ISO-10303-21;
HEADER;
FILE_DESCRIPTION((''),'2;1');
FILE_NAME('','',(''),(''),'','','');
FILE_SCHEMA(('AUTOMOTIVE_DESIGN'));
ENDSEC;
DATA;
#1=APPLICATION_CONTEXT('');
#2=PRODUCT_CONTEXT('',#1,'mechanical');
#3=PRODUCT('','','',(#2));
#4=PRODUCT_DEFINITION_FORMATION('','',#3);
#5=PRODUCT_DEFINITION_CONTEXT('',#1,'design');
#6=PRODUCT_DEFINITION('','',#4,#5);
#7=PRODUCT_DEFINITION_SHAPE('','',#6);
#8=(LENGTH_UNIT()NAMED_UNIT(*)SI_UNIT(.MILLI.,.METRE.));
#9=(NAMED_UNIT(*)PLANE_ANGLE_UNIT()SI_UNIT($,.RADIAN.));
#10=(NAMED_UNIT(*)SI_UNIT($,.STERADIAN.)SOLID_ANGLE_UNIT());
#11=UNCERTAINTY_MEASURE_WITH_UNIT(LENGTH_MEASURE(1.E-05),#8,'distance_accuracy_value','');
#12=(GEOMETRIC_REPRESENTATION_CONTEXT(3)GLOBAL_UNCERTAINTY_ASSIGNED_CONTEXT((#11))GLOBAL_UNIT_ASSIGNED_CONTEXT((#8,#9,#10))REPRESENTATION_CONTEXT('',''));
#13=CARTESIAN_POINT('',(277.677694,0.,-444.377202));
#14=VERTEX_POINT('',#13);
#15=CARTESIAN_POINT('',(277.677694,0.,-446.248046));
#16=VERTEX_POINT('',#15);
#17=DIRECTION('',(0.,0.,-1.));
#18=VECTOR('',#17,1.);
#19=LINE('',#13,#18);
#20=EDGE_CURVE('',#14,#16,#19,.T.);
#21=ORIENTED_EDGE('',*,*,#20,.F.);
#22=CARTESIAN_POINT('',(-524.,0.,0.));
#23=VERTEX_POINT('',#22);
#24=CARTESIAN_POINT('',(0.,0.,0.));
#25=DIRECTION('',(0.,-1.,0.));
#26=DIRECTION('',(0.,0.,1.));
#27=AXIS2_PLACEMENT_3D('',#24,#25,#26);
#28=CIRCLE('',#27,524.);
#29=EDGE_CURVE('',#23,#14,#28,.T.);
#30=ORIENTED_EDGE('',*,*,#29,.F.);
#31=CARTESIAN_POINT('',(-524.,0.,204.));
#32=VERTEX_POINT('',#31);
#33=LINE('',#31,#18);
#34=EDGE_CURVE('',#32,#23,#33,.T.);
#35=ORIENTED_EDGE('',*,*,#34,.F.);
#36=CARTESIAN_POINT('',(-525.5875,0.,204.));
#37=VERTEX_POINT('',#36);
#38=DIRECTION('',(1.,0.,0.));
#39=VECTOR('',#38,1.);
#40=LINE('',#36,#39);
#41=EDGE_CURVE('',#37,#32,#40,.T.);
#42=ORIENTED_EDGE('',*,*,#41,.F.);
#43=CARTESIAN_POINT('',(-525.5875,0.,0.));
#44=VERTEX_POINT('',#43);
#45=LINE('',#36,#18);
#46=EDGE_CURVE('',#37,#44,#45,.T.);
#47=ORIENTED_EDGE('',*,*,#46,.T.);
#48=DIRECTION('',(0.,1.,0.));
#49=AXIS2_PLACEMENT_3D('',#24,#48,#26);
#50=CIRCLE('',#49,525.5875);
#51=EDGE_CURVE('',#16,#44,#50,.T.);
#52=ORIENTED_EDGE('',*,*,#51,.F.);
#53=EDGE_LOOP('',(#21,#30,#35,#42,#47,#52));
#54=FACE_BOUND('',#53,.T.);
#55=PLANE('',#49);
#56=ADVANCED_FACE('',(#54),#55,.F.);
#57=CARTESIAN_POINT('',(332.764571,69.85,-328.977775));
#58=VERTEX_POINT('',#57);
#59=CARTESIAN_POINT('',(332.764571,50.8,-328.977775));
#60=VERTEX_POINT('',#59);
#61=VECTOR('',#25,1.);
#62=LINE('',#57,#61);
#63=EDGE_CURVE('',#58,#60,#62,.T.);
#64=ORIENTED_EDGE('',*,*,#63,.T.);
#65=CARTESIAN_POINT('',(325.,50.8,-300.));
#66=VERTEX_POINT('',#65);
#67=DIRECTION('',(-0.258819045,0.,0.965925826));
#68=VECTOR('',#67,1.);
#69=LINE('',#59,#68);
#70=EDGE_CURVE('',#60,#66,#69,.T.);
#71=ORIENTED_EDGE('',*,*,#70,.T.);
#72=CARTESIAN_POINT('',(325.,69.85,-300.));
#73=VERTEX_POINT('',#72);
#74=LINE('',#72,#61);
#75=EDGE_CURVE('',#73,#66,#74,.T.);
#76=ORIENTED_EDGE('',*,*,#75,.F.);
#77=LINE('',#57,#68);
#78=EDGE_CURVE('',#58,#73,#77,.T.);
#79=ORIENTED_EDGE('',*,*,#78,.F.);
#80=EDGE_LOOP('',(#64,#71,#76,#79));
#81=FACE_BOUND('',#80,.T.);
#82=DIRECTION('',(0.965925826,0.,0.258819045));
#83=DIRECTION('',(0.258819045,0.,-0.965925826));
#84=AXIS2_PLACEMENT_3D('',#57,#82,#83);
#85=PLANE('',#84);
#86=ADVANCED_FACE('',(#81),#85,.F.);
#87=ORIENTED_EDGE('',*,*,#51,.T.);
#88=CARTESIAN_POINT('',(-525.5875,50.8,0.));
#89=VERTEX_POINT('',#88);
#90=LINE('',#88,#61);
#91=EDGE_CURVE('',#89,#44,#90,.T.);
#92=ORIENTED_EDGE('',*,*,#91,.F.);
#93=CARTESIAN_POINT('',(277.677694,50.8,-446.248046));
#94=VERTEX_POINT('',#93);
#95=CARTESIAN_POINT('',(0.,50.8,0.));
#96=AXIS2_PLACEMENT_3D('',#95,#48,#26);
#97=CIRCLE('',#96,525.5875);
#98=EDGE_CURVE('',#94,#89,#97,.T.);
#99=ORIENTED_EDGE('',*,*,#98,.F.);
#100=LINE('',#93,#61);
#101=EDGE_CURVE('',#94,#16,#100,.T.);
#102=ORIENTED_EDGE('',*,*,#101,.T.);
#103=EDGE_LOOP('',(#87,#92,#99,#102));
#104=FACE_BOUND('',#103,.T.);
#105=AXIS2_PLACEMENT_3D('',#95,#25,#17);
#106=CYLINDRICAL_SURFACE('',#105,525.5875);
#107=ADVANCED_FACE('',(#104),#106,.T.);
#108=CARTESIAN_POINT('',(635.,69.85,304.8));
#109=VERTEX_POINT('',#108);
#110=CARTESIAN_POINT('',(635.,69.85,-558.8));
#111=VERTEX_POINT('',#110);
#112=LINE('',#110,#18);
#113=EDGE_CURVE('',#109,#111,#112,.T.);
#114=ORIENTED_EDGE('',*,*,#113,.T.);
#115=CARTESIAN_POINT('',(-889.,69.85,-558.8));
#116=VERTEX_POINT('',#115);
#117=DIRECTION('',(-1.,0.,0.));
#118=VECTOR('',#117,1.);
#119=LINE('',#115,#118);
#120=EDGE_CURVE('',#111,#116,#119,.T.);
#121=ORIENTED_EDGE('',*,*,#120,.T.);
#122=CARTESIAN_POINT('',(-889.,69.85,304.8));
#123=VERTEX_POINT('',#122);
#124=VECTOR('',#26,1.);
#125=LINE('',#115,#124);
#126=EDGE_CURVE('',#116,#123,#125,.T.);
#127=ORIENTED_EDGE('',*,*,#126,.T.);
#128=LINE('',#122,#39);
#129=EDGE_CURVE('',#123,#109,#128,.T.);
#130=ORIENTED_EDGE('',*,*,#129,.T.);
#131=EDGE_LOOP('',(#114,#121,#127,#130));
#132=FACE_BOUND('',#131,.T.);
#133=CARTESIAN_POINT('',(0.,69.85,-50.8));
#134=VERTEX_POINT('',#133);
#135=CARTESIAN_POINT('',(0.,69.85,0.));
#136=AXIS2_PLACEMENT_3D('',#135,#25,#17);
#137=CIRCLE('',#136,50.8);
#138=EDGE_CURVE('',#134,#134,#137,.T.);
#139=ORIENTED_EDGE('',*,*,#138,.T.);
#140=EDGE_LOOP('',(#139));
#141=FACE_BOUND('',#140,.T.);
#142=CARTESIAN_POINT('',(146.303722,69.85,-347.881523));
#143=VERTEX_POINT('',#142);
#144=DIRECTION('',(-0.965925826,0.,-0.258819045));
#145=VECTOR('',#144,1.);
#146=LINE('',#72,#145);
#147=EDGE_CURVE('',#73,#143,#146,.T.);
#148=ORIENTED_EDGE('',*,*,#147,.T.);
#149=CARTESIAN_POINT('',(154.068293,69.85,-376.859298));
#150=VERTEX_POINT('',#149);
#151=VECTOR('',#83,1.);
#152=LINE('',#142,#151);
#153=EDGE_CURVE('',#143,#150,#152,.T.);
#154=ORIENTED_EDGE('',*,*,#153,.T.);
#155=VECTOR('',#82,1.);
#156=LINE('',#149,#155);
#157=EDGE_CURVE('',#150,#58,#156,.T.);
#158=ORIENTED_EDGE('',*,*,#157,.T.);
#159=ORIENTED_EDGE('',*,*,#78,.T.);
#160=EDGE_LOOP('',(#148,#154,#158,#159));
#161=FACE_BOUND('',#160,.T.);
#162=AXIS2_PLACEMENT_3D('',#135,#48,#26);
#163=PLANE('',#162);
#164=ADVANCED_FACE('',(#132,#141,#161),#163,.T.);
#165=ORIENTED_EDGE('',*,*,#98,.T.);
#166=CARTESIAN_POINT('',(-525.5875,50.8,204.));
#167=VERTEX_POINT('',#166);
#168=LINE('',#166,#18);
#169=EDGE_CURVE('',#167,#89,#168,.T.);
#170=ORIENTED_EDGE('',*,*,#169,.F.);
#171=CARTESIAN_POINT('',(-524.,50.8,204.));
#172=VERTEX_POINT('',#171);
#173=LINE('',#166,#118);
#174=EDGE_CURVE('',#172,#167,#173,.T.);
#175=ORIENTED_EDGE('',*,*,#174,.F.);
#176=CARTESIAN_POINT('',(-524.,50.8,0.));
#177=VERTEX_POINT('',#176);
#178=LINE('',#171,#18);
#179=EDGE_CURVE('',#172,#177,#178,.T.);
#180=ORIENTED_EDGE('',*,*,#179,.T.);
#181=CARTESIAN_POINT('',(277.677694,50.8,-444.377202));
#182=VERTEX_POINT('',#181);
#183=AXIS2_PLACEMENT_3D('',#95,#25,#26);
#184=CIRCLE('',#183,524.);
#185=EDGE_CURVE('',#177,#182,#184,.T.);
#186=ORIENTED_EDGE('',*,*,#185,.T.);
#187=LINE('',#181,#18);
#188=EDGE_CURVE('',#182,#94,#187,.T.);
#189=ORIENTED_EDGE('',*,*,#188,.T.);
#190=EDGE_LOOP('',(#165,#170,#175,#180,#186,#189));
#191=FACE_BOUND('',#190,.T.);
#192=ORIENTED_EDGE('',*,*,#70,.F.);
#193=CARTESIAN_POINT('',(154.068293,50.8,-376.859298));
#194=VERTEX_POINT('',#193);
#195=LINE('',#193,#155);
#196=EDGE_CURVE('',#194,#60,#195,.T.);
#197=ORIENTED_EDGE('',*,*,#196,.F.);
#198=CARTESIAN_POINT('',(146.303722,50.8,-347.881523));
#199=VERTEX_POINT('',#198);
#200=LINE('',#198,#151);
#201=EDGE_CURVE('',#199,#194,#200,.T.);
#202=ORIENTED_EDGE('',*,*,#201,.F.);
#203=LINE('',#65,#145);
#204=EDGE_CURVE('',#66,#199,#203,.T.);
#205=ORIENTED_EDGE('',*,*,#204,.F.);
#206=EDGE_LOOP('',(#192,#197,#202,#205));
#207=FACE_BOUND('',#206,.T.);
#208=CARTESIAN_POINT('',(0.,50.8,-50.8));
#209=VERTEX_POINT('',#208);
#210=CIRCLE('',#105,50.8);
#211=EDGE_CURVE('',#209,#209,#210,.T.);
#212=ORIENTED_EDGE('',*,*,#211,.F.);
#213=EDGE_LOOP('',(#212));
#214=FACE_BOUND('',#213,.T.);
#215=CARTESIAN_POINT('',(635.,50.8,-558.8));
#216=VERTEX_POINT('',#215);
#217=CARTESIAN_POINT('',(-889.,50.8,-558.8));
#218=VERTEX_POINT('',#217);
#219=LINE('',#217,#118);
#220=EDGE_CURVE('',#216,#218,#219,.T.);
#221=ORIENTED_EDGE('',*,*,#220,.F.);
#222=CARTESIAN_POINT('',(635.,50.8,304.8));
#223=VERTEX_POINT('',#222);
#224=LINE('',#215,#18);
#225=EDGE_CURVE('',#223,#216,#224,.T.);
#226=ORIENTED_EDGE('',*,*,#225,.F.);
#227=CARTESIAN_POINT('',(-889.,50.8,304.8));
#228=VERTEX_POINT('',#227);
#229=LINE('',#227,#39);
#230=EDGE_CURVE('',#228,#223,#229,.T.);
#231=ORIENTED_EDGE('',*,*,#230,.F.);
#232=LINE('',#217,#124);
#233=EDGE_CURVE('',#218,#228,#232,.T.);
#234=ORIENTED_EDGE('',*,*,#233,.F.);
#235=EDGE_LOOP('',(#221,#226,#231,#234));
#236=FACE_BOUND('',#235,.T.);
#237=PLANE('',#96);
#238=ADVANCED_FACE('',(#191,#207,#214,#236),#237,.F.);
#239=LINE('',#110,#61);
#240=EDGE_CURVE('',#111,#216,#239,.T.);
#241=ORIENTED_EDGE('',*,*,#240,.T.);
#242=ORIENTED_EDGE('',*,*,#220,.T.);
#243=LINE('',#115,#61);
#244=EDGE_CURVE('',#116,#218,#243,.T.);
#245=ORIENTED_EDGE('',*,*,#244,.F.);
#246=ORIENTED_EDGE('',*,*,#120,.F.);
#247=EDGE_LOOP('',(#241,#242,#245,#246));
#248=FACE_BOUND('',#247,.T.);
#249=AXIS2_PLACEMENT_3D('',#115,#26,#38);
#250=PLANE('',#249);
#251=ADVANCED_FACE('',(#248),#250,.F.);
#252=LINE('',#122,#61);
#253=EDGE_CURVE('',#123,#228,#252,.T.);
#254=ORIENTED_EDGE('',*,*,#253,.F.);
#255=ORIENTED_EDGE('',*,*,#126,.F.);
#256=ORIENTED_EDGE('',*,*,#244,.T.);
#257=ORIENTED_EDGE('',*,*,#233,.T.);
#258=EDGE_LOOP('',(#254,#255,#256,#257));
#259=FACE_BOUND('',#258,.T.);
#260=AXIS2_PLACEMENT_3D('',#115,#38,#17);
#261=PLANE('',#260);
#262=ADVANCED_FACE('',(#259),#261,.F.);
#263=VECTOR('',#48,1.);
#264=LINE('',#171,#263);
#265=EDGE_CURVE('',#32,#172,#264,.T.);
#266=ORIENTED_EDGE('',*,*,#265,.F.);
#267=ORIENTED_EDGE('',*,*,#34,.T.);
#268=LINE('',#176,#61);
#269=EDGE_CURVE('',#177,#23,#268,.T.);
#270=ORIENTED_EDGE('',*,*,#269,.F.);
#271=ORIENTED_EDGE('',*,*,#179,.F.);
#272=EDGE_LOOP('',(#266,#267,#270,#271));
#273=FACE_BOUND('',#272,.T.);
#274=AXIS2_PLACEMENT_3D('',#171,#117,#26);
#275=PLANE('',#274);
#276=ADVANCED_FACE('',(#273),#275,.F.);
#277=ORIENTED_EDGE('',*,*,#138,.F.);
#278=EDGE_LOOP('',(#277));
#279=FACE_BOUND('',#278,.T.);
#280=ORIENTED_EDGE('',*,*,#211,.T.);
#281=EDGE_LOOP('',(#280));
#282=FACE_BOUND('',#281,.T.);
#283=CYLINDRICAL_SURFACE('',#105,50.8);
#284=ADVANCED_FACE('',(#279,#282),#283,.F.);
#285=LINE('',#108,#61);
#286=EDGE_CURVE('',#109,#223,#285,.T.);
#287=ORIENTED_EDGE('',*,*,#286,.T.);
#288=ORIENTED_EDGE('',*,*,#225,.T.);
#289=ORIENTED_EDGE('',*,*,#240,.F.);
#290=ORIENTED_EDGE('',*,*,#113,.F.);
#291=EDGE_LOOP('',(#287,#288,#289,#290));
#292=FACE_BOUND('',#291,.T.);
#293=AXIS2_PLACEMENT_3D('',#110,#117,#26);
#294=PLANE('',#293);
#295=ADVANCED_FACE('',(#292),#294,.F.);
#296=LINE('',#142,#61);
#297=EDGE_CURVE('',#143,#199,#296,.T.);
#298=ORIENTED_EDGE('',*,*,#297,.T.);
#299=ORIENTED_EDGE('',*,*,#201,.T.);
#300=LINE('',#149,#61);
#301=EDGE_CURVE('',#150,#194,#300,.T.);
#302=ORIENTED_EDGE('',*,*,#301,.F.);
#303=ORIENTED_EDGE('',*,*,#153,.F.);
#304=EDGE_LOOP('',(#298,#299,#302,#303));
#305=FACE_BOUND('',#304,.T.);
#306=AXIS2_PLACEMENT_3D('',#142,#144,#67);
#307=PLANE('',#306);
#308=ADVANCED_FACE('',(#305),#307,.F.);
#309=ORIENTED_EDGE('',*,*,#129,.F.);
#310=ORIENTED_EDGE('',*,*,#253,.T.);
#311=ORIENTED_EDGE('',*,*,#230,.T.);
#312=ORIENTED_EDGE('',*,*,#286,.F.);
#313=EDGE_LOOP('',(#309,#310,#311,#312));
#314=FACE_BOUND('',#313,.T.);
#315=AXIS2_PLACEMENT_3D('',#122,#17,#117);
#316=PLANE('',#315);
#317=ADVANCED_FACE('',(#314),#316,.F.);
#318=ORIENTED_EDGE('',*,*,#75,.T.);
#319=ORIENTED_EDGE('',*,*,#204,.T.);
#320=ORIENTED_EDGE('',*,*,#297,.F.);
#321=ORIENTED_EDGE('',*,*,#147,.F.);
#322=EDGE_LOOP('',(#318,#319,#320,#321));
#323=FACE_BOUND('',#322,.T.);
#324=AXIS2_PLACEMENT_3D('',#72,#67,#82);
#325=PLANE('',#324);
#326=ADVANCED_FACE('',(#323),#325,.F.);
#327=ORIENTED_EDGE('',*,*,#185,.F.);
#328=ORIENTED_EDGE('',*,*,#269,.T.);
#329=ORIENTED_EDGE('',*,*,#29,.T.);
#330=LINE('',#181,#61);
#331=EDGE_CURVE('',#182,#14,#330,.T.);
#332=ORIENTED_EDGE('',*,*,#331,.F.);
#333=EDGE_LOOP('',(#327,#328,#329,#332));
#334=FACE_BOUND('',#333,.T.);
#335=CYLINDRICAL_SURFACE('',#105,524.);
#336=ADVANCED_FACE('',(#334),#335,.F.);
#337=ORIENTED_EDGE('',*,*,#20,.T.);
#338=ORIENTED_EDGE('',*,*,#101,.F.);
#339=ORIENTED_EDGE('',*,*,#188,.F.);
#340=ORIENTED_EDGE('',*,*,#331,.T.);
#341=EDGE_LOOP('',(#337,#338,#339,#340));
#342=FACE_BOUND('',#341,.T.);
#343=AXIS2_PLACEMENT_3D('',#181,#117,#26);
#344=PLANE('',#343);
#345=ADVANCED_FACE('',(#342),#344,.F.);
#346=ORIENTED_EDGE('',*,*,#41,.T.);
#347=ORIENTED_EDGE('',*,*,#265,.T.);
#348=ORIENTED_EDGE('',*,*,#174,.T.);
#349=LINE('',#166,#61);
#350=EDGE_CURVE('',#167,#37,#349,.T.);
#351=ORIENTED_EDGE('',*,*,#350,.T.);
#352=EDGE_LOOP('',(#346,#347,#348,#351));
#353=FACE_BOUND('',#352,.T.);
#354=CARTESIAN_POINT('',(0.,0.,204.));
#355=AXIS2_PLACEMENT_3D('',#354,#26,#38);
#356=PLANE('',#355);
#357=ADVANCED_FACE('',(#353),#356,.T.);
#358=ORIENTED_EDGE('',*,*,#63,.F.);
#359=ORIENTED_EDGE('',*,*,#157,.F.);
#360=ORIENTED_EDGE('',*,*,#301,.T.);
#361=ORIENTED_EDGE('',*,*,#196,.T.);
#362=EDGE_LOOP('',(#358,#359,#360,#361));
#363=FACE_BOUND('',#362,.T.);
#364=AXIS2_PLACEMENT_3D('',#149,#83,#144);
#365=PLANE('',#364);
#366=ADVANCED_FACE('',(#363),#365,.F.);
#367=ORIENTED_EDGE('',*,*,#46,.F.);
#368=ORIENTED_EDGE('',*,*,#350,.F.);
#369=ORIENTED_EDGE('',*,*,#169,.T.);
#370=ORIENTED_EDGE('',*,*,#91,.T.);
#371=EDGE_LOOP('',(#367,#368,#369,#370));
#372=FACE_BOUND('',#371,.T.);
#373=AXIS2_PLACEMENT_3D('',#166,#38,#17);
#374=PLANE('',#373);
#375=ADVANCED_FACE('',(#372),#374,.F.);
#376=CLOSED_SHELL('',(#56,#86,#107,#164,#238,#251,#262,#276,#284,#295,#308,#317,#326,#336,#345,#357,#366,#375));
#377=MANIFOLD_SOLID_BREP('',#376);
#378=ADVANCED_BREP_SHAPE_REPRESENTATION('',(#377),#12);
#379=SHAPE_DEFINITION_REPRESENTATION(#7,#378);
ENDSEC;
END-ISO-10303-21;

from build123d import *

# Parameters (mm, degrees)
BOSS_EXTRUDE1_DEPTH    = 50.8
SKETCH4_W              = 1524
SKETCH4_H              = 863.6
BOSS_EXTRUDE2_DEPTH    = 19.05
F_20_0MM_DOWEL_HOLE1_D = 101.6
SKETCH8_W              = 1.5875
SKETCH8_H              = 50.8
BOSS_EXTRUDE3_DEPTH    = 204
CUT_EXTRUDE1_DEPTH     = 1052.265465998


with BuildPart() as part:
    # Sketch3 → Boss-Extrude1 (new body)
    with BuildSketch(Plane(origin=(0, 0, 0), x_dir=(1, 0, 0), z_dir=(0, 1, 0))):
        with BuildLine():
            Line((-524, 0), (-525.5875, 0))
            ThreePointArc((-525.5875, 0), (-255.243310314, 459.448661655), (277.677694458, 446.248045549))
            Line((277.677694458, 446.248045549), (277.677694458, 444.377202386))
            ThreePointArc((277.677694458, 444.377202386), (-254.040241009, 458.300726541), (-524, 0))
        make_face()
    extrude(amount=BOSS_EXTRUDE1_DEPTH)

    # Sketch4 → Boss-Extrude2 (add)
    with BuildSketch(Plane(origin=(0, 50.8, 0), x_dir=(1, 0, 0), z_dir=(0, 1, 0))):
        with Locations((-127, 127)):
            Rectangle(SKETCH4_W, SKETCH4_H)
    extrude(amount=BOSS_EXTRUDE2_DEPTH)

    # Ø20.0mm Dowel Hole1 (through all)
    with Locations(Plane(origin=(0, 50.8, 0), x_dir=(-1, 0, 0), z_dir=(0, -1, 0))):
        with Locations((0, 0)):
            Hole(F_20_0MM_DOWEL_HOLE1_D / 2)

    # Sketch8 → Boss-Extrude3 (add)
    with BuildSketch(Plane.XY):
        with Locations((-524.79375, 25.4)):
            Rectangle(SKETCH8_W, SKETCH8_H)
    extrude(amount=BOSS_EXTRUDE3_DEPTH)

    # Sketch9 → Cut-Extrude1 (cut, through all)
    with BuildSketch(Plane(origin=(0, 50.8, 0), x_dir=(-1, 0, 0), z_dir=(0, -1, 0))):
        Polygon((-154.06829349, 376.859298133), (-332.764571353, 328.977774789), (-325, 300), (-146.303722137, 347.881523344), align=None)
    extrude(amount=-CUT_EXTRUDE1_DEPTH, mode=Mode.SUBTRACT)


solid = part.part
